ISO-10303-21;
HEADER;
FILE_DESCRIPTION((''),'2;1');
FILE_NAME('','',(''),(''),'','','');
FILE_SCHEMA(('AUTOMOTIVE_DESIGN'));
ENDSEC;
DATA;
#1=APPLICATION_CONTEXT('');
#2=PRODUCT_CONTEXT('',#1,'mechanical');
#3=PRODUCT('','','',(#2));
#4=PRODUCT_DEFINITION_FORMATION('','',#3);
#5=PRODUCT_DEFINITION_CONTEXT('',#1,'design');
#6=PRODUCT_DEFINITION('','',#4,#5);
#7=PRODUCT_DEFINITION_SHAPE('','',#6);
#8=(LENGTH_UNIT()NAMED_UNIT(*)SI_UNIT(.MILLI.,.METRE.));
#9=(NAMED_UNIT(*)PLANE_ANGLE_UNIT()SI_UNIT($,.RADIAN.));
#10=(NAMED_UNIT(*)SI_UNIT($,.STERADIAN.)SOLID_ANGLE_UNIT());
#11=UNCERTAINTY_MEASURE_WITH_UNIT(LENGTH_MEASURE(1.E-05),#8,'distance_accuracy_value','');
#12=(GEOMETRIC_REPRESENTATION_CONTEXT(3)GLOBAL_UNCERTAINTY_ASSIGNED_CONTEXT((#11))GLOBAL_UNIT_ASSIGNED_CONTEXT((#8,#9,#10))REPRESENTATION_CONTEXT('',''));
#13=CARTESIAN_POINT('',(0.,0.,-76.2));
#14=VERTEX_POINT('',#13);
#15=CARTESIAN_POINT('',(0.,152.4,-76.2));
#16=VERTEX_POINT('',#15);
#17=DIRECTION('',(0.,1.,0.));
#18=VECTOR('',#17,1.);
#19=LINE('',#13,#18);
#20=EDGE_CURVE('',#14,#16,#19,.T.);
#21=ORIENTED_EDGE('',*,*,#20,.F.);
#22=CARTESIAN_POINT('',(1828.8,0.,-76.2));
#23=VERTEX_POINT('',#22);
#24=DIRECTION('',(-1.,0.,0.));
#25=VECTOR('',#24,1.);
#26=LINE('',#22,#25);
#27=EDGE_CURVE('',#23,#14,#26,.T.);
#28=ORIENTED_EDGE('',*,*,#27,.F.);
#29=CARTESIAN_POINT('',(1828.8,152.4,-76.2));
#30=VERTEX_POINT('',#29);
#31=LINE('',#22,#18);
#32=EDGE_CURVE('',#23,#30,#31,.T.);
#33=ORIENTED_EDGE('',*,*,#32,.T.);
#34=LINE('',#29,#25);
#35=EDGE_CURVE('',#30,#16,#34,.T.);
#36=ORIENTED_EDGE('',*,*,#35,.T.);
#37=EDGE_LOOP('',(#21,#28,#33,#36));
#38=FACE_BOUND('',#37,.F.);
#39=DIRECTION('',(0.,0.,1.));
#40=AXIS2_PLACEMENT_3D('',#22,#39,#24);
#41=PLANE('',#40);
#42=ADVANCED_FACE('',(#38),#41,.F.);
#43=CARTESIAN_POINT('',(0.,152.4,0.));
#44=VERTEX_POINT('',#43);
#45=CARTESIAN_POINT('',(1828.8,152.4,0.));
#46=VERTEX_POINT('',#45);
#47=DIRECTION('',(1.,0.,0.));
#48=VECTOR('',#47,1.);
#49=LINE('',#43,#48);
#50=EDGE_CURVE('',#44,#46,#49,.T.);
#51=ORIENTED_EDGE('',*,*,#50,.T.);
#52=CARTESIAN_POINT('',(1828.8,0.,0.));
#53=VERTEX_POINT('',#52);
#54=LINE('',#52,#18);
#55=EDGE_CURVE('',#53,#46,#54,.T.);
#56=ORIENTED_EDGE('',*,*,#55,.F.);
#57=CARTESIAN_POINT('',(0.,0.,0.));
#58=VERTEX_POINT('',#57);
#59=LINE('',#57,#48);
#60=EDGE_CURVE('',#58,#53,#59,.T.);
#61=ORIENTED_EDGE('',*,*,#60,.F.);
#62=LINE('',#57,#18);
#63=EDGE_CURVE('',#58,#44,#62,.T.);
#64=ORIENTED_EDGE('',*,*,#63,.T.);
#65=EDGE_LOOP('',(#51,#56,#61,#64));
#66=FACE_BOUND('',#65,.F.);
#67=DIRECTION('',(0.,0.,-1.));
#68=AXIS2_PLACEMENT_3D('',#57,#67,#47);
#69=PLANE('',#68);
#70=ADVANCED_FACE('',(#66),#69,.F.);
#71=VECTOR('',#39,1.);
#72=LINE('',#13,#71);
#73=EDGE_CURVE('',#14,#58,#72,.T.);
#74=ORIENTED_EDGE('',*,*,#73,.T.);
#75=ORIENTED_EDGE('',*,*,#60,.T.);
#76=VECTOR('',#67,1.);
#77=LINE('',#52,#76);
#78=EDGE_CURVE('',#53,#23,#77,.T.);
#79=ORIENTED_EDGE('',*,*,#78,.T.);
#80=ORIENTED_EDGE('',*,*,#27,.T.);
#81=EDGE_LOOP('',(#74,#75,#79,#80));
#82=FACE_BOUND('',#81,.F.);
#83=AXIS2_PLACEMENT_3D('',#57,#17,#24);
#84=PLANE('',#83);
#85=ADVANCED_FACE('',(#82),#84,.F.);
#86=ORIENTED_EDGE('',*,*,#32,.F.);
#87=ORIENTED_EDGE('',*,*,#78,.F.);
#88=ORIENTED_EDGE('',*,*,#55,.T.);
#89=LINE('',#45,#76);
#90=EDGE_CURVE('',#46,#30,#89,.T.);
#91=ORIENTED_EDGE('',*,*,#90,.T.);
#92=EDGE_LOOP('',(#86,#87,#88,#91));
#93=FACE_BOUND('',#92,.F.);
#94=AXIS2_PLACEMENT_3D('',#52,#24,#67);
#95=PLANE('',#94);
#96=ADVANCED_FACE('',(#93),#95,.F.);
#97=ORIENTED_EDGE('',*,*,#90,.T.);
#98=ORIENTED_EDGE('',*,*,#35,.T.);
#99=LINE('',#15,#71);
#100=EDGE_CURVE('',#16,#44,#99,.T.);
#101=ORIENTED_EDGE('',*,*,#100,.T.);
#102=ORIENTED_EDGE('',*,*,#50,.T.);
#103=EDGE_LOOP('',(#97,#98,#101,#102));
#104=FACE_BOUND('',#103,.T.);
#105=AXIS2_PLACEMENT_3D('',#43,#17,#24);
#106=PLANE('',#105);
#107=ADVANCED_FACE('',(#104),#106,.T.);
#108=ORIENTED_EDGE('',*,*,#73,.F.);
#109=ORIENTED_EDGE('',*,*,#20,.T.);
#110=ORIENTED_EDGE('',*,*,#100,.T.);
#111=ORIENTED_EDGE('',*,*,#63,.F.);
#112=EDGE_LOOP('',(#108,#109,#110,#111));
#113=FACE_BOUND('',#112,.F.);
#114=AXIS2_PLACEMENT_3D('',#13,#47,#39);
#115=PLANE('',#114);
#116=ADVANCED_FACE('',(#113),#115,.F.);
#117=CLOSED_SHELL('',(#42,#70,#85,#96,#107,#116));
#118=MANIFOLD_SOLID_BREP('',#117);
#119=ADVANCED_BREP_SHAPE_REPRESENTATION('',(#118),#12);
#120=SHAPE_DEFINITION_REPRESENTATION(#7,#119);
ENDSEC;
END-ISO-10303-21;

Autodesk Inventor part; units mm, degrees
ref_plane "YZ Plane" through (0, 0, 0) normal (1, 0, 0) x (0, 1, 0)
ref_plane "XZ Plane" through (0, 0, 0) normal (0, 1, 0) x (-1, 0, 0)
ref_plane "XY Plane" through (0, 0, 0) normal (0, 0, 1) x (1, 0, 0)
sketch "Sketch1" plane through (0, 0, 0) normal (0, 1, 0) x (-1, 0, 0)
  line L0 (0, 0) -> (-1828.8, 0)
  line L1 (-1828.8, 0) -> (-1828.8, -76.2)
  line L2 (-1828.8, -76.2) -> (0, -76.2)
  line L3 (0, -76.2) -> (0, 0)
  dimension "d0" = 1828.8
  dimension "d1" = 76.2
extrude "Extrusion1" add sketch "Sketch1" along normal blind 152.4
properties part number "rev2 top window wall h plank" material "Wood (Birch)"
